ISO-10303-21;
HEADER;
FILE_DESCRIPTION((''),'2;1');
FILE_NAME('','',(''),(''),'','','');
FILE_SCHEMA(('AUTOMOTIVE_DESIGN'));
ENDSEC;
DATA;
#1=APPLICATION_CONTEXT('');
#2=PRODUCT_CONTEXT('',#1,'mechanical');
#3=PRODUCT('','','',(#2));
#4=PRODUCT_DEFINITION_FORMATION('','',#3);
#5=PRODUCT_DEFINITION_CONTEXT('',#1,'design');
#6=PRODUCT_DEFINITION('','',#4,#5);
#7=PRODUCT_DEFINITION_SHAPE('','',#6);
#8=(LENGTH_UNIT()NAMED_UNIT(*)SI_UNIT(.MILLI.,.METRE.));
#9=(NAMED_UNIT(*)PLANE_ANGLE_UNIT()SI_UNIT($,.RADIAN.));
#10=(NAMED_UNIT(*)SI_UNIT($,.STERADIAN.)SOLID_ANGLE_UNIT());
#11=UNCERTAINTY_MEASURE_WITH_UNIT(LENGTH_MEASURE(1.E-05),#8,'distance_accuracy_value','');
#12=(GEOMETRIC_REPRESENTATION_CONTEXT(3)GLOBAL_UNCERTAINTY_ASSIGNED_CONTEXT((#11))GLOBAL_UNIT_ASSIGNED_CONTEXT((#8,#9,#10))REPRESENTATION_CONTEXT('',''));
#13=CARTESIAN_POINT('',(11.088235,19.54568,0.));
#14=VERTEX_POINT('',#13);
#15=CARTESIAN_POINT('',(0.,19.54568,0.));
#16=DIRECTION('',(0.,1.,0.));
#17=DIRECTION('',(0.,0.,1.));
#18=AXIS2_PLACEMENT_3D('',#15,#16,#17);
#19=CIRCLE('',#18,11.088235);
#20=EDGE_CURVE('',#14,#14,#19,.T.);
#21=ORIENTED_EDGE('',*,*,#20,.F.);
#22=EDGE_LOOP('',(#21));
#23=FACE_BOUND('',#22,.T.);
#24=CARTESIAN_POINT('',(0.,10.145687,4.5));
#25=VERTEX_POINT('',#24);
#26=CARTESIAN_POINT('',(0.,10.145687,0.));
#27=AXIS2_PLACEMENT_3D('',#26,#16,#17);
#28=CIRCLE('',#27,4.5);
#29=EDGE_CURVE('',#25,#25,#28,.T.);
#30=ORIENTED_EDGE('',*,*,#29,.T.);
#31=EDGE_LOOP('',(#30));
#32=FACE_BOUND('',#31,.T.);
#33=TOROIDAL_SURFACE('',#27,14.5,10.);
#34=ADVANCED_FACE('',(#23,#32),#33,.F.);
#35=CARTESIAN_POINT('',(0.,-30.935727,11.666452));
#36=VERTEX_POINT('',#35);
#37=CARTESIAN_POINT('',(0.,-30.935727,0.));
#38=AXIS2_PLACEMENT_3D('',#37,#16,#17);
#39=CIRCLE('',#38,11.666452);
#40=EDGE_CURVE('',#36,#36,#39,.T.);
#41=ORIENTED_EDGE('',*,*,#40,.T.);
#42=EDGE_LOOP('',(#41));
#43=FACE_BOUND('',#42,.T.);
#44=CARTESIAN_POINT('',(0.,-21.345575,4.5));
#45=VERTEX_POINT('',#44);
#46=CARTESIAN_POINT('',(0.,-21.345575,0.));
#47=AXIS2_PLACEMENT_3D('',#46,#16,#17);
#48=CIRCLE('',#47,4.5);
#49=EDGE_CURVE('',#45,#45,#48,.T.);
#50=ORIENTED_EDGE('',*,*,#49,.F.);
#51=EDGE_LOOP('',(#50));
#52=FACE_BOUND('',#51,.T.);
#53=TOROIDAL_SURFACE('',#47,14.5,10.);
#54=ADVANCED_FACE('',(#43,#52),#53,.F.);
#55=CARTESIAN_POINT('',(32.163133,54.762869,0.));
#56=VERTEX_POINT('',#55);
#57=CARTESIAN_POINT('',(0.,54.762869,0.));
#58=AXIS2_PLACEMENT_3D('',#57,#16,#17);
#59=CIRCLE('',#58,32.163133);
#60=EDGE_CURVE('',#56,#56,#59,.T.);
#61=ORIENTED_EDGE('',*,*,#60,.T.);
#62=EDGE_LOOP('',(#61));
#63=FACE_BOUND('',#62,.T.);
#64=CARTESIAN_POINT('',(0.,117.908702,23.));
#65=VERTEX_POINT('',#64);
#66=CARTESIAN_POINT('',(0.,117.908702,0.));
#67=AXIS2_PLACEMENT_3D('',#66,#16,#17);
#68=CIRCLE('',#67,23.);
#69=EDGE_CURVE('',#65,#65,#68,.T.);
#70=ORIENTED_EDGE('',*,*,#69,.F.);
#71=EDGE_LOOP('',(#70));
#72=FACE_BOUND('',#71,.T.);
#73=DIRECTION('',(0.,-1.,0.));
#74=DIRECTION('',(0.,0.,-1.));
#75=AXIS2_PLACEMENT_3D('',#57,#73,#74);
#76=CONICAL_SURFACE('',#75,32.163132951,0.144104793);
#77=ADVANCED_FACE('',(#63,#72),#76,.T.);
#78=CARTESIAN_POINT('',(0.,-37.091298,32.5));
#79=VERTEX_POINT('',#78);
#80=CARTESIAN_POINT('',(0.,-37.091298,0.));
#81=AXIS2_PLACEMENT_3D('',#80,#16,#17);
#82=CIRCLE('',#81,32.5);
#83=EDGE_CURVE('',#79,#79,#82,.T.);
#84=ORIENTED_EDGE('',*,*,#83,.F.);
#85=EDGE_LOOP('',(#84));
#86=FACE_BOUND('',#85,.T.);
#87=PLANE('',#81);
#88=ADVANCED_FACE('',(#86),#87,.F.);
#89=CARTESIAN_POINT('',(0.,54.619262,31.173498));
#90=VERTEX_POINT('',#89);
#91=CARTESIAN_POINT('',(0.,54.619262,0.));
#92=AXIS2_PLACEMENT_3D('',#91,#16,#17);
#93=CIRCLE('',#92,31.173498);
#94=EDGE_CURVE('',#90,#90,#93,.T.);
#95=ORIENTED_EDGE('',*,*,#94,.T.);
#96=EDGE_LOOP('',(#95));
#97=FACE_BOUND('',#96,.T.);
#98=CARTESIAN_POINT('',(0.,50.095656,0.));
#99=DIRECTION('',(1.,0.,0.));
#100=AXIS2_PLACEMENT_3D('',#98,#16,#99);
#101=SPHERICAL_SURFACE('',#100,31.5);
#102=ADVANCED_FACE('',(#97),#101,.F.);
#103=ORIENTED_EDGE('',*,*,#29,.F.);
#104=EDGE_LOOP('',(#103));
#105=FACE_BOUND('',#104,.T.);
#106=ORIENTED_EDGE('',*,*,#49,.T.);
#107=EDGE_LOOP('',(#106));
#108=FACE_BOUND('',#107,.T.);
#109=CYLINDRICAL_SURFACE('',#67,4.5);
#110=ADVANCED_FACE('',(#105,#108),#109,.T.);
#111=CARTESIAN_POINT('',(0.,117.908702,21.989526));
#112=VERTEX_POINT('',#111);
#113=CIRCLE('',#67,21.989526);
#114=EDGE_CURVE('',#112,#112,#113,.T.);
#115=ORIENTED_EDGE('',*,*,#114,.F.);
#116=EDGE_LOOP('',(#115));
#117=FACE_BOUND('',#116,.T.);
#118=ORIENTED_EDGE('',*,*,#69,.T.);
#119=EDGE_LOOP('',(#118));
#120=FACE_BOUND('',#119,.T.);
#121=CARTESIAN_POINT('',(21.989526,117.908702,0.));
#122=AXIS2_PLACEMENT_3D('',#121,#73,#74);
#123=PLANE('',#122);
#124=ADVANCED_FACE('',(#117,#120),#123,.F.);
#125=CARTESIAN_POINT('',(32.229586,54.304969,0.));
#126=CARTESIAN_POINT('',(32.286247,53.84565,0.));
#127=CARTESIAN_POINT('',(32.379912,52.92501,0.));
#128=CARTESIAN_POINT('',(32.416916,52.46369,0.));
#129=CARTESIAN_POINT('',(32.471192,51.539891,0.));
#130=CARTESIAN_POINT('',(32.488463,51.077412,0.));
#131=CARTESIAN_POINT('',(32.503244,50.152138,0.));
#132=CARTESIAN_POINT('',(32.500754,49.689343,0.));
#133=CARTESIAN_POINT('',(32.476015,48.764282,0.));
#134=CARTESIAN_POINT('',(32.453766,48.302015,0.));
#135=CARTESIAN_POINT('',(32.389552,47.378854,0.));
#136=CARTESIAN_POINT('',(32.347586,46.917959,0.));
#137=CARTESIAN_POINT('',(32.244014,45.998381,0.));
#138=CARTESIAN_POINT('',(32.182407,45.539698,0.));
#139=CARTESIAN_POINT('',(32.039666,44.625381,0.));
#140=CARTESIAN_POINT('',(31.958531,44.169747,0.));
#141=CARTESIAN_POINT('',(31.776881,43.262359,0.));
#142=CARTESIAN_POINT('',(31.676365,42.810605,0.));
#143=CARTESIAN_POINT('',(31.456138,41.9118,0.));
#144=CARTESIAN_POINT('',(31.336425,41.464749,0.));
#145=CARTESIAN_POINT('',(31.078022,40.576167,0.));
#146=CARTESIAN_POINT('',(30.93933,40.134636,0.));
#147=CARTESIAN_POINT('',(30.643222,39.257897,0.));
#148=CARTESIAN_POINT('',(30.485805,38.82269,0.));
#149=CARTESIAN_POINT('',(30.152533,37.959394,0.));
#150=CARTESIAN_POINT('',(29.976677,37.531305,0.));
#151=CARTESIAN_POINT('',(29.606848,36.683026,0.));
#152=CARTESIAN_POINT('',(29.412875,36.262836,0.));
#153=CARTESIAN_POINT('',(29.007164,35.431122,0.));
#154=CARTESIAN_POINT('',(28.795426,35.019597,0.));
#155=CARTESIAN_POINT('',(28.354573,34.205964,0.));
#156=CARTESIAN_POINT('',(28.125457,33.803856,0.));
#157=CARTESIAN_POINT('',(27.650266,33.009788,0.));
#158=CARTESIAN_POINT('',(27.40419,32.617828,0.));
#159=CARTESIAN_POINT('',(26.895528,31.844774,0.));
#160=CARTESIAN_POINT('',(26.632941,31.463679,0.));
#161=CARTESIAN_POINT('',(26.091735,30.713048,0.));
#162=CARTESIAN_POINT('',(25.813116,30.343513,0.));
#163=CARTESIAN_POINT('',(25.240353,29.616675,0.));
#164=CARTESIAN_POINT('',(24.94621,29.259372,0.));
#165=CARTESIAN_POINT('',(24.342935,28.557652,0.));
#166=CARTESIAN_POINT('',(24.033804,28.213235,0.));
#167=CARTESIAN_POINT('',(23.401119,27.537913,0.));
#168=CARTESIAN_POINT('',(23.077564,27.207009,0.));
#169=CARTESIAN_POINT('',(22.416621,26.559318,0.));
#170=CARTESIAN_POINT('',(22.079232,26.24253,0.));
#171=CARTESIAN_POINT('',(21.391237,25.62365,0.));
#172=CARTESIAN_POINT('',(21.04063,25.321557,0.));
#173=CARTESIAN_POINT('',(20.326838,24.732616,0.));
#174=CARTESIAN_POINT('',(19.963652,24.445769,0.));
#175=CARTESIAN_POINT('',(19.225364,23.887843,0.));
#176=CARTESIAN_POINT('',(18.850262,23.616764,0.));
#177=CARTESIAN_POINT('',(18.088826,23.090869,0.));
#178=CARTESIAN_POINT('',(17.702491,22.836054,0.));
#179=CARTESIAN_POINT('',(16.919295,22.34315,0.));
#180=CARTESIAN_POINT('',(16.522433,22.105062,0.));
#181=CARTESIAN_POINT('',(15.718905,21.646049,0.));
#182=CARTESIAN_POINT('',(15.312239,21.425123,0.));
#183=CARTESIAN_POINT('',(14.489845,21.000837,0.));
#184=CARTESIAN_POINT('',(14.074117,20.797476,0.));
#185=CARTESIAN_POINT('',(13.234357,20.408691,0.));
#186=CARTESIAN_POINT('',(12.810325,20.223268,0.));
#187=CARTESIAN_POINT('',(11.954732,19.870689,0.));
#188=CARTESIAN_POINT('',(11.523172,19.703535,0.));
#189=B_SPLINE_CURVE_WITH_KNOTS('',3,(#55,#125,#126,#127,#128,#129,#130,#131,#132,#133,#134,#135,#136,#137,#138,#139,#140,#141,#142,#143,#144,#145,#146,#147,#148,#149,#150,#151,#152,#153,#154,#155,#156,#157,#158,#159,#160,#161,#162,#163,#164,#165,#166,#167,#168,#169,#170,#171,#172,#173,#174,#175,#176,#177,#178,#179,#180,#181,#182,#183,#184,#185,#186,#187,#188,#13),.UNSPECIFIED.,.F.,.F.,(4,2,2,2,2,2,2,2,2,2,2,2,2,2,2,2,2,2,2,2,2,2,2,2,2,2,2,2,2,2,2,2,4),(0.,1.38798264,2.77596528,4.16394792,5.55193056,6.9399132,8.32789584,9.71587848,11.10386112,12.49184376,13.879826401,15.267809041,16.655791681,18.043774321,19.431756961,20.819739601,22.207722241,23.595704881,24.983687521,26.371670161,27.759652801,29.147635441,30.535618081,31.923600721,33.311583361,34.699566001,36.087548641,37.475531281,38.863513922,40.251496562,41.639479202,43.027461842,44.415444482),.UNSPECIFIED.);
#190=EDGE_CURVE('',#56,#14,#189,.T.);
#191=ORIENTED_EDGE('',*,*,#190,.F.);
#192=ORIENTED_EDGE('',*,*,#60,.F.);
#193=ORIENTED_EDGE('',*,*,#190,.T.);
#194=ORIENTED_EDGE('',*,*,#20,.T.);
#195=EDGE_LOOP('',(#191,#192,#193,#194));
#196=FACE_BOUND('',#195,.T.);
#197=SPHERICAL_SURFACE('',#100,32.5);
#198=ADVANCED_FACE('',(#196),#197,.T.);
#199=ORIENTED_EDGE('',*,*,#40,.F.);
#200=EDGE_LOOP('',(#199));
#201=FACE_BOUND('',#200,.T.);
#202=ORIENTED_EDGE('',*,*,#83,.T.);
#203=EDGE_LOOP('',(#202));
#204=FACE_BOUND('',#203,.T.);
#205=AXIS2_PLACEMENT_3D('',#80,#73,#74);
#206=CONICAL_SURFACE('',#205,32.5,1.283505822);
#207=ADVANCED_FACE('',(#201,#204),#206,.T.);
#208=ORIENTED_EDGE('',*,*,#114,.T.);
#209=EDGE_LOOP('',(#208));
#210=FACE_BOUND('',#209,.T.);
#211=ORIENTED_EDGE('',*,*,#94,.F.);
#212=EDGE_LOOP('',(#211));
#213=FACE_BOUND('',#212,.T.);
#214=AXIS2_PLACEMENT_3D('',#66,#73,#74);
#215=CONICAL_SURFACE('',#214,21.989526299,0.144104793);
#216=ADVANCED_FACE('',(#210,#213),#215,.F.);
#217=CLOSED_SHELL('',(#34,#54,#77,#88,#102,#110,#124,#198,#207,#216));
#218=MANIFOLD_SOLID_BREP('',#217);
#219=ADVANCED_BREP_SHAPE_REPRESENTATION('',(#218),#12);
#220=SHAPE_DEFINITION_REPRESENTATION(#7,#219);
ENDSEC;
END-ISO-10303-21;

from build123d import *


with BuildPart() as part:
    # Sketch2 → Revolve1 (revolve)
    with BuildSketch(Plane.XY, mode=Mode.PRIVATE) as revolve1_sk:
        with BuildLine():
            Line((0, -37.091298276), (32.5, -37.091298276))
            Line((32.5, -37.091298276), (11.66645179, -30.935726736))
            ThreePointArc((11.66645179, -30.935726736), (6.489523045, -27.331580559), (4.5, -21.345575301))
            Line((4.5, -21.345575301), (4.5, 10.145686892))
            ThreePointArc((4.5, 10.145686892), (6.311054798, 15.885127323), (11.088235294, 19.545679529))
            ThreePointArc((11.088235294, 19.545679529), (27.887861488, 33.406821561), (32.163132951, 54.762868775))
            Line((32.163132951, 54.762868775), (23, 117.908701724))
            Line((23, 117.908701724), (21.989526299, 117.908701724))
            Line((21.989526299, 117.908701724), (31.173498091, 54.619262216))
            ThreePointArc((31.173498091, 54.619262216), (23.819567674, 29.483081871), (0, 18.595655602))
            Line((0, 18.595655602), (0, -37.091298276))
        make_face()
    revolve(revolve1_sk.sketch.rotate(Axis((0, 117.908701724, 0), (0, -1, 0)), 90), axis=Axis((0, 117.908701724, 0), (0, -1, 0)))


solid = part.part
